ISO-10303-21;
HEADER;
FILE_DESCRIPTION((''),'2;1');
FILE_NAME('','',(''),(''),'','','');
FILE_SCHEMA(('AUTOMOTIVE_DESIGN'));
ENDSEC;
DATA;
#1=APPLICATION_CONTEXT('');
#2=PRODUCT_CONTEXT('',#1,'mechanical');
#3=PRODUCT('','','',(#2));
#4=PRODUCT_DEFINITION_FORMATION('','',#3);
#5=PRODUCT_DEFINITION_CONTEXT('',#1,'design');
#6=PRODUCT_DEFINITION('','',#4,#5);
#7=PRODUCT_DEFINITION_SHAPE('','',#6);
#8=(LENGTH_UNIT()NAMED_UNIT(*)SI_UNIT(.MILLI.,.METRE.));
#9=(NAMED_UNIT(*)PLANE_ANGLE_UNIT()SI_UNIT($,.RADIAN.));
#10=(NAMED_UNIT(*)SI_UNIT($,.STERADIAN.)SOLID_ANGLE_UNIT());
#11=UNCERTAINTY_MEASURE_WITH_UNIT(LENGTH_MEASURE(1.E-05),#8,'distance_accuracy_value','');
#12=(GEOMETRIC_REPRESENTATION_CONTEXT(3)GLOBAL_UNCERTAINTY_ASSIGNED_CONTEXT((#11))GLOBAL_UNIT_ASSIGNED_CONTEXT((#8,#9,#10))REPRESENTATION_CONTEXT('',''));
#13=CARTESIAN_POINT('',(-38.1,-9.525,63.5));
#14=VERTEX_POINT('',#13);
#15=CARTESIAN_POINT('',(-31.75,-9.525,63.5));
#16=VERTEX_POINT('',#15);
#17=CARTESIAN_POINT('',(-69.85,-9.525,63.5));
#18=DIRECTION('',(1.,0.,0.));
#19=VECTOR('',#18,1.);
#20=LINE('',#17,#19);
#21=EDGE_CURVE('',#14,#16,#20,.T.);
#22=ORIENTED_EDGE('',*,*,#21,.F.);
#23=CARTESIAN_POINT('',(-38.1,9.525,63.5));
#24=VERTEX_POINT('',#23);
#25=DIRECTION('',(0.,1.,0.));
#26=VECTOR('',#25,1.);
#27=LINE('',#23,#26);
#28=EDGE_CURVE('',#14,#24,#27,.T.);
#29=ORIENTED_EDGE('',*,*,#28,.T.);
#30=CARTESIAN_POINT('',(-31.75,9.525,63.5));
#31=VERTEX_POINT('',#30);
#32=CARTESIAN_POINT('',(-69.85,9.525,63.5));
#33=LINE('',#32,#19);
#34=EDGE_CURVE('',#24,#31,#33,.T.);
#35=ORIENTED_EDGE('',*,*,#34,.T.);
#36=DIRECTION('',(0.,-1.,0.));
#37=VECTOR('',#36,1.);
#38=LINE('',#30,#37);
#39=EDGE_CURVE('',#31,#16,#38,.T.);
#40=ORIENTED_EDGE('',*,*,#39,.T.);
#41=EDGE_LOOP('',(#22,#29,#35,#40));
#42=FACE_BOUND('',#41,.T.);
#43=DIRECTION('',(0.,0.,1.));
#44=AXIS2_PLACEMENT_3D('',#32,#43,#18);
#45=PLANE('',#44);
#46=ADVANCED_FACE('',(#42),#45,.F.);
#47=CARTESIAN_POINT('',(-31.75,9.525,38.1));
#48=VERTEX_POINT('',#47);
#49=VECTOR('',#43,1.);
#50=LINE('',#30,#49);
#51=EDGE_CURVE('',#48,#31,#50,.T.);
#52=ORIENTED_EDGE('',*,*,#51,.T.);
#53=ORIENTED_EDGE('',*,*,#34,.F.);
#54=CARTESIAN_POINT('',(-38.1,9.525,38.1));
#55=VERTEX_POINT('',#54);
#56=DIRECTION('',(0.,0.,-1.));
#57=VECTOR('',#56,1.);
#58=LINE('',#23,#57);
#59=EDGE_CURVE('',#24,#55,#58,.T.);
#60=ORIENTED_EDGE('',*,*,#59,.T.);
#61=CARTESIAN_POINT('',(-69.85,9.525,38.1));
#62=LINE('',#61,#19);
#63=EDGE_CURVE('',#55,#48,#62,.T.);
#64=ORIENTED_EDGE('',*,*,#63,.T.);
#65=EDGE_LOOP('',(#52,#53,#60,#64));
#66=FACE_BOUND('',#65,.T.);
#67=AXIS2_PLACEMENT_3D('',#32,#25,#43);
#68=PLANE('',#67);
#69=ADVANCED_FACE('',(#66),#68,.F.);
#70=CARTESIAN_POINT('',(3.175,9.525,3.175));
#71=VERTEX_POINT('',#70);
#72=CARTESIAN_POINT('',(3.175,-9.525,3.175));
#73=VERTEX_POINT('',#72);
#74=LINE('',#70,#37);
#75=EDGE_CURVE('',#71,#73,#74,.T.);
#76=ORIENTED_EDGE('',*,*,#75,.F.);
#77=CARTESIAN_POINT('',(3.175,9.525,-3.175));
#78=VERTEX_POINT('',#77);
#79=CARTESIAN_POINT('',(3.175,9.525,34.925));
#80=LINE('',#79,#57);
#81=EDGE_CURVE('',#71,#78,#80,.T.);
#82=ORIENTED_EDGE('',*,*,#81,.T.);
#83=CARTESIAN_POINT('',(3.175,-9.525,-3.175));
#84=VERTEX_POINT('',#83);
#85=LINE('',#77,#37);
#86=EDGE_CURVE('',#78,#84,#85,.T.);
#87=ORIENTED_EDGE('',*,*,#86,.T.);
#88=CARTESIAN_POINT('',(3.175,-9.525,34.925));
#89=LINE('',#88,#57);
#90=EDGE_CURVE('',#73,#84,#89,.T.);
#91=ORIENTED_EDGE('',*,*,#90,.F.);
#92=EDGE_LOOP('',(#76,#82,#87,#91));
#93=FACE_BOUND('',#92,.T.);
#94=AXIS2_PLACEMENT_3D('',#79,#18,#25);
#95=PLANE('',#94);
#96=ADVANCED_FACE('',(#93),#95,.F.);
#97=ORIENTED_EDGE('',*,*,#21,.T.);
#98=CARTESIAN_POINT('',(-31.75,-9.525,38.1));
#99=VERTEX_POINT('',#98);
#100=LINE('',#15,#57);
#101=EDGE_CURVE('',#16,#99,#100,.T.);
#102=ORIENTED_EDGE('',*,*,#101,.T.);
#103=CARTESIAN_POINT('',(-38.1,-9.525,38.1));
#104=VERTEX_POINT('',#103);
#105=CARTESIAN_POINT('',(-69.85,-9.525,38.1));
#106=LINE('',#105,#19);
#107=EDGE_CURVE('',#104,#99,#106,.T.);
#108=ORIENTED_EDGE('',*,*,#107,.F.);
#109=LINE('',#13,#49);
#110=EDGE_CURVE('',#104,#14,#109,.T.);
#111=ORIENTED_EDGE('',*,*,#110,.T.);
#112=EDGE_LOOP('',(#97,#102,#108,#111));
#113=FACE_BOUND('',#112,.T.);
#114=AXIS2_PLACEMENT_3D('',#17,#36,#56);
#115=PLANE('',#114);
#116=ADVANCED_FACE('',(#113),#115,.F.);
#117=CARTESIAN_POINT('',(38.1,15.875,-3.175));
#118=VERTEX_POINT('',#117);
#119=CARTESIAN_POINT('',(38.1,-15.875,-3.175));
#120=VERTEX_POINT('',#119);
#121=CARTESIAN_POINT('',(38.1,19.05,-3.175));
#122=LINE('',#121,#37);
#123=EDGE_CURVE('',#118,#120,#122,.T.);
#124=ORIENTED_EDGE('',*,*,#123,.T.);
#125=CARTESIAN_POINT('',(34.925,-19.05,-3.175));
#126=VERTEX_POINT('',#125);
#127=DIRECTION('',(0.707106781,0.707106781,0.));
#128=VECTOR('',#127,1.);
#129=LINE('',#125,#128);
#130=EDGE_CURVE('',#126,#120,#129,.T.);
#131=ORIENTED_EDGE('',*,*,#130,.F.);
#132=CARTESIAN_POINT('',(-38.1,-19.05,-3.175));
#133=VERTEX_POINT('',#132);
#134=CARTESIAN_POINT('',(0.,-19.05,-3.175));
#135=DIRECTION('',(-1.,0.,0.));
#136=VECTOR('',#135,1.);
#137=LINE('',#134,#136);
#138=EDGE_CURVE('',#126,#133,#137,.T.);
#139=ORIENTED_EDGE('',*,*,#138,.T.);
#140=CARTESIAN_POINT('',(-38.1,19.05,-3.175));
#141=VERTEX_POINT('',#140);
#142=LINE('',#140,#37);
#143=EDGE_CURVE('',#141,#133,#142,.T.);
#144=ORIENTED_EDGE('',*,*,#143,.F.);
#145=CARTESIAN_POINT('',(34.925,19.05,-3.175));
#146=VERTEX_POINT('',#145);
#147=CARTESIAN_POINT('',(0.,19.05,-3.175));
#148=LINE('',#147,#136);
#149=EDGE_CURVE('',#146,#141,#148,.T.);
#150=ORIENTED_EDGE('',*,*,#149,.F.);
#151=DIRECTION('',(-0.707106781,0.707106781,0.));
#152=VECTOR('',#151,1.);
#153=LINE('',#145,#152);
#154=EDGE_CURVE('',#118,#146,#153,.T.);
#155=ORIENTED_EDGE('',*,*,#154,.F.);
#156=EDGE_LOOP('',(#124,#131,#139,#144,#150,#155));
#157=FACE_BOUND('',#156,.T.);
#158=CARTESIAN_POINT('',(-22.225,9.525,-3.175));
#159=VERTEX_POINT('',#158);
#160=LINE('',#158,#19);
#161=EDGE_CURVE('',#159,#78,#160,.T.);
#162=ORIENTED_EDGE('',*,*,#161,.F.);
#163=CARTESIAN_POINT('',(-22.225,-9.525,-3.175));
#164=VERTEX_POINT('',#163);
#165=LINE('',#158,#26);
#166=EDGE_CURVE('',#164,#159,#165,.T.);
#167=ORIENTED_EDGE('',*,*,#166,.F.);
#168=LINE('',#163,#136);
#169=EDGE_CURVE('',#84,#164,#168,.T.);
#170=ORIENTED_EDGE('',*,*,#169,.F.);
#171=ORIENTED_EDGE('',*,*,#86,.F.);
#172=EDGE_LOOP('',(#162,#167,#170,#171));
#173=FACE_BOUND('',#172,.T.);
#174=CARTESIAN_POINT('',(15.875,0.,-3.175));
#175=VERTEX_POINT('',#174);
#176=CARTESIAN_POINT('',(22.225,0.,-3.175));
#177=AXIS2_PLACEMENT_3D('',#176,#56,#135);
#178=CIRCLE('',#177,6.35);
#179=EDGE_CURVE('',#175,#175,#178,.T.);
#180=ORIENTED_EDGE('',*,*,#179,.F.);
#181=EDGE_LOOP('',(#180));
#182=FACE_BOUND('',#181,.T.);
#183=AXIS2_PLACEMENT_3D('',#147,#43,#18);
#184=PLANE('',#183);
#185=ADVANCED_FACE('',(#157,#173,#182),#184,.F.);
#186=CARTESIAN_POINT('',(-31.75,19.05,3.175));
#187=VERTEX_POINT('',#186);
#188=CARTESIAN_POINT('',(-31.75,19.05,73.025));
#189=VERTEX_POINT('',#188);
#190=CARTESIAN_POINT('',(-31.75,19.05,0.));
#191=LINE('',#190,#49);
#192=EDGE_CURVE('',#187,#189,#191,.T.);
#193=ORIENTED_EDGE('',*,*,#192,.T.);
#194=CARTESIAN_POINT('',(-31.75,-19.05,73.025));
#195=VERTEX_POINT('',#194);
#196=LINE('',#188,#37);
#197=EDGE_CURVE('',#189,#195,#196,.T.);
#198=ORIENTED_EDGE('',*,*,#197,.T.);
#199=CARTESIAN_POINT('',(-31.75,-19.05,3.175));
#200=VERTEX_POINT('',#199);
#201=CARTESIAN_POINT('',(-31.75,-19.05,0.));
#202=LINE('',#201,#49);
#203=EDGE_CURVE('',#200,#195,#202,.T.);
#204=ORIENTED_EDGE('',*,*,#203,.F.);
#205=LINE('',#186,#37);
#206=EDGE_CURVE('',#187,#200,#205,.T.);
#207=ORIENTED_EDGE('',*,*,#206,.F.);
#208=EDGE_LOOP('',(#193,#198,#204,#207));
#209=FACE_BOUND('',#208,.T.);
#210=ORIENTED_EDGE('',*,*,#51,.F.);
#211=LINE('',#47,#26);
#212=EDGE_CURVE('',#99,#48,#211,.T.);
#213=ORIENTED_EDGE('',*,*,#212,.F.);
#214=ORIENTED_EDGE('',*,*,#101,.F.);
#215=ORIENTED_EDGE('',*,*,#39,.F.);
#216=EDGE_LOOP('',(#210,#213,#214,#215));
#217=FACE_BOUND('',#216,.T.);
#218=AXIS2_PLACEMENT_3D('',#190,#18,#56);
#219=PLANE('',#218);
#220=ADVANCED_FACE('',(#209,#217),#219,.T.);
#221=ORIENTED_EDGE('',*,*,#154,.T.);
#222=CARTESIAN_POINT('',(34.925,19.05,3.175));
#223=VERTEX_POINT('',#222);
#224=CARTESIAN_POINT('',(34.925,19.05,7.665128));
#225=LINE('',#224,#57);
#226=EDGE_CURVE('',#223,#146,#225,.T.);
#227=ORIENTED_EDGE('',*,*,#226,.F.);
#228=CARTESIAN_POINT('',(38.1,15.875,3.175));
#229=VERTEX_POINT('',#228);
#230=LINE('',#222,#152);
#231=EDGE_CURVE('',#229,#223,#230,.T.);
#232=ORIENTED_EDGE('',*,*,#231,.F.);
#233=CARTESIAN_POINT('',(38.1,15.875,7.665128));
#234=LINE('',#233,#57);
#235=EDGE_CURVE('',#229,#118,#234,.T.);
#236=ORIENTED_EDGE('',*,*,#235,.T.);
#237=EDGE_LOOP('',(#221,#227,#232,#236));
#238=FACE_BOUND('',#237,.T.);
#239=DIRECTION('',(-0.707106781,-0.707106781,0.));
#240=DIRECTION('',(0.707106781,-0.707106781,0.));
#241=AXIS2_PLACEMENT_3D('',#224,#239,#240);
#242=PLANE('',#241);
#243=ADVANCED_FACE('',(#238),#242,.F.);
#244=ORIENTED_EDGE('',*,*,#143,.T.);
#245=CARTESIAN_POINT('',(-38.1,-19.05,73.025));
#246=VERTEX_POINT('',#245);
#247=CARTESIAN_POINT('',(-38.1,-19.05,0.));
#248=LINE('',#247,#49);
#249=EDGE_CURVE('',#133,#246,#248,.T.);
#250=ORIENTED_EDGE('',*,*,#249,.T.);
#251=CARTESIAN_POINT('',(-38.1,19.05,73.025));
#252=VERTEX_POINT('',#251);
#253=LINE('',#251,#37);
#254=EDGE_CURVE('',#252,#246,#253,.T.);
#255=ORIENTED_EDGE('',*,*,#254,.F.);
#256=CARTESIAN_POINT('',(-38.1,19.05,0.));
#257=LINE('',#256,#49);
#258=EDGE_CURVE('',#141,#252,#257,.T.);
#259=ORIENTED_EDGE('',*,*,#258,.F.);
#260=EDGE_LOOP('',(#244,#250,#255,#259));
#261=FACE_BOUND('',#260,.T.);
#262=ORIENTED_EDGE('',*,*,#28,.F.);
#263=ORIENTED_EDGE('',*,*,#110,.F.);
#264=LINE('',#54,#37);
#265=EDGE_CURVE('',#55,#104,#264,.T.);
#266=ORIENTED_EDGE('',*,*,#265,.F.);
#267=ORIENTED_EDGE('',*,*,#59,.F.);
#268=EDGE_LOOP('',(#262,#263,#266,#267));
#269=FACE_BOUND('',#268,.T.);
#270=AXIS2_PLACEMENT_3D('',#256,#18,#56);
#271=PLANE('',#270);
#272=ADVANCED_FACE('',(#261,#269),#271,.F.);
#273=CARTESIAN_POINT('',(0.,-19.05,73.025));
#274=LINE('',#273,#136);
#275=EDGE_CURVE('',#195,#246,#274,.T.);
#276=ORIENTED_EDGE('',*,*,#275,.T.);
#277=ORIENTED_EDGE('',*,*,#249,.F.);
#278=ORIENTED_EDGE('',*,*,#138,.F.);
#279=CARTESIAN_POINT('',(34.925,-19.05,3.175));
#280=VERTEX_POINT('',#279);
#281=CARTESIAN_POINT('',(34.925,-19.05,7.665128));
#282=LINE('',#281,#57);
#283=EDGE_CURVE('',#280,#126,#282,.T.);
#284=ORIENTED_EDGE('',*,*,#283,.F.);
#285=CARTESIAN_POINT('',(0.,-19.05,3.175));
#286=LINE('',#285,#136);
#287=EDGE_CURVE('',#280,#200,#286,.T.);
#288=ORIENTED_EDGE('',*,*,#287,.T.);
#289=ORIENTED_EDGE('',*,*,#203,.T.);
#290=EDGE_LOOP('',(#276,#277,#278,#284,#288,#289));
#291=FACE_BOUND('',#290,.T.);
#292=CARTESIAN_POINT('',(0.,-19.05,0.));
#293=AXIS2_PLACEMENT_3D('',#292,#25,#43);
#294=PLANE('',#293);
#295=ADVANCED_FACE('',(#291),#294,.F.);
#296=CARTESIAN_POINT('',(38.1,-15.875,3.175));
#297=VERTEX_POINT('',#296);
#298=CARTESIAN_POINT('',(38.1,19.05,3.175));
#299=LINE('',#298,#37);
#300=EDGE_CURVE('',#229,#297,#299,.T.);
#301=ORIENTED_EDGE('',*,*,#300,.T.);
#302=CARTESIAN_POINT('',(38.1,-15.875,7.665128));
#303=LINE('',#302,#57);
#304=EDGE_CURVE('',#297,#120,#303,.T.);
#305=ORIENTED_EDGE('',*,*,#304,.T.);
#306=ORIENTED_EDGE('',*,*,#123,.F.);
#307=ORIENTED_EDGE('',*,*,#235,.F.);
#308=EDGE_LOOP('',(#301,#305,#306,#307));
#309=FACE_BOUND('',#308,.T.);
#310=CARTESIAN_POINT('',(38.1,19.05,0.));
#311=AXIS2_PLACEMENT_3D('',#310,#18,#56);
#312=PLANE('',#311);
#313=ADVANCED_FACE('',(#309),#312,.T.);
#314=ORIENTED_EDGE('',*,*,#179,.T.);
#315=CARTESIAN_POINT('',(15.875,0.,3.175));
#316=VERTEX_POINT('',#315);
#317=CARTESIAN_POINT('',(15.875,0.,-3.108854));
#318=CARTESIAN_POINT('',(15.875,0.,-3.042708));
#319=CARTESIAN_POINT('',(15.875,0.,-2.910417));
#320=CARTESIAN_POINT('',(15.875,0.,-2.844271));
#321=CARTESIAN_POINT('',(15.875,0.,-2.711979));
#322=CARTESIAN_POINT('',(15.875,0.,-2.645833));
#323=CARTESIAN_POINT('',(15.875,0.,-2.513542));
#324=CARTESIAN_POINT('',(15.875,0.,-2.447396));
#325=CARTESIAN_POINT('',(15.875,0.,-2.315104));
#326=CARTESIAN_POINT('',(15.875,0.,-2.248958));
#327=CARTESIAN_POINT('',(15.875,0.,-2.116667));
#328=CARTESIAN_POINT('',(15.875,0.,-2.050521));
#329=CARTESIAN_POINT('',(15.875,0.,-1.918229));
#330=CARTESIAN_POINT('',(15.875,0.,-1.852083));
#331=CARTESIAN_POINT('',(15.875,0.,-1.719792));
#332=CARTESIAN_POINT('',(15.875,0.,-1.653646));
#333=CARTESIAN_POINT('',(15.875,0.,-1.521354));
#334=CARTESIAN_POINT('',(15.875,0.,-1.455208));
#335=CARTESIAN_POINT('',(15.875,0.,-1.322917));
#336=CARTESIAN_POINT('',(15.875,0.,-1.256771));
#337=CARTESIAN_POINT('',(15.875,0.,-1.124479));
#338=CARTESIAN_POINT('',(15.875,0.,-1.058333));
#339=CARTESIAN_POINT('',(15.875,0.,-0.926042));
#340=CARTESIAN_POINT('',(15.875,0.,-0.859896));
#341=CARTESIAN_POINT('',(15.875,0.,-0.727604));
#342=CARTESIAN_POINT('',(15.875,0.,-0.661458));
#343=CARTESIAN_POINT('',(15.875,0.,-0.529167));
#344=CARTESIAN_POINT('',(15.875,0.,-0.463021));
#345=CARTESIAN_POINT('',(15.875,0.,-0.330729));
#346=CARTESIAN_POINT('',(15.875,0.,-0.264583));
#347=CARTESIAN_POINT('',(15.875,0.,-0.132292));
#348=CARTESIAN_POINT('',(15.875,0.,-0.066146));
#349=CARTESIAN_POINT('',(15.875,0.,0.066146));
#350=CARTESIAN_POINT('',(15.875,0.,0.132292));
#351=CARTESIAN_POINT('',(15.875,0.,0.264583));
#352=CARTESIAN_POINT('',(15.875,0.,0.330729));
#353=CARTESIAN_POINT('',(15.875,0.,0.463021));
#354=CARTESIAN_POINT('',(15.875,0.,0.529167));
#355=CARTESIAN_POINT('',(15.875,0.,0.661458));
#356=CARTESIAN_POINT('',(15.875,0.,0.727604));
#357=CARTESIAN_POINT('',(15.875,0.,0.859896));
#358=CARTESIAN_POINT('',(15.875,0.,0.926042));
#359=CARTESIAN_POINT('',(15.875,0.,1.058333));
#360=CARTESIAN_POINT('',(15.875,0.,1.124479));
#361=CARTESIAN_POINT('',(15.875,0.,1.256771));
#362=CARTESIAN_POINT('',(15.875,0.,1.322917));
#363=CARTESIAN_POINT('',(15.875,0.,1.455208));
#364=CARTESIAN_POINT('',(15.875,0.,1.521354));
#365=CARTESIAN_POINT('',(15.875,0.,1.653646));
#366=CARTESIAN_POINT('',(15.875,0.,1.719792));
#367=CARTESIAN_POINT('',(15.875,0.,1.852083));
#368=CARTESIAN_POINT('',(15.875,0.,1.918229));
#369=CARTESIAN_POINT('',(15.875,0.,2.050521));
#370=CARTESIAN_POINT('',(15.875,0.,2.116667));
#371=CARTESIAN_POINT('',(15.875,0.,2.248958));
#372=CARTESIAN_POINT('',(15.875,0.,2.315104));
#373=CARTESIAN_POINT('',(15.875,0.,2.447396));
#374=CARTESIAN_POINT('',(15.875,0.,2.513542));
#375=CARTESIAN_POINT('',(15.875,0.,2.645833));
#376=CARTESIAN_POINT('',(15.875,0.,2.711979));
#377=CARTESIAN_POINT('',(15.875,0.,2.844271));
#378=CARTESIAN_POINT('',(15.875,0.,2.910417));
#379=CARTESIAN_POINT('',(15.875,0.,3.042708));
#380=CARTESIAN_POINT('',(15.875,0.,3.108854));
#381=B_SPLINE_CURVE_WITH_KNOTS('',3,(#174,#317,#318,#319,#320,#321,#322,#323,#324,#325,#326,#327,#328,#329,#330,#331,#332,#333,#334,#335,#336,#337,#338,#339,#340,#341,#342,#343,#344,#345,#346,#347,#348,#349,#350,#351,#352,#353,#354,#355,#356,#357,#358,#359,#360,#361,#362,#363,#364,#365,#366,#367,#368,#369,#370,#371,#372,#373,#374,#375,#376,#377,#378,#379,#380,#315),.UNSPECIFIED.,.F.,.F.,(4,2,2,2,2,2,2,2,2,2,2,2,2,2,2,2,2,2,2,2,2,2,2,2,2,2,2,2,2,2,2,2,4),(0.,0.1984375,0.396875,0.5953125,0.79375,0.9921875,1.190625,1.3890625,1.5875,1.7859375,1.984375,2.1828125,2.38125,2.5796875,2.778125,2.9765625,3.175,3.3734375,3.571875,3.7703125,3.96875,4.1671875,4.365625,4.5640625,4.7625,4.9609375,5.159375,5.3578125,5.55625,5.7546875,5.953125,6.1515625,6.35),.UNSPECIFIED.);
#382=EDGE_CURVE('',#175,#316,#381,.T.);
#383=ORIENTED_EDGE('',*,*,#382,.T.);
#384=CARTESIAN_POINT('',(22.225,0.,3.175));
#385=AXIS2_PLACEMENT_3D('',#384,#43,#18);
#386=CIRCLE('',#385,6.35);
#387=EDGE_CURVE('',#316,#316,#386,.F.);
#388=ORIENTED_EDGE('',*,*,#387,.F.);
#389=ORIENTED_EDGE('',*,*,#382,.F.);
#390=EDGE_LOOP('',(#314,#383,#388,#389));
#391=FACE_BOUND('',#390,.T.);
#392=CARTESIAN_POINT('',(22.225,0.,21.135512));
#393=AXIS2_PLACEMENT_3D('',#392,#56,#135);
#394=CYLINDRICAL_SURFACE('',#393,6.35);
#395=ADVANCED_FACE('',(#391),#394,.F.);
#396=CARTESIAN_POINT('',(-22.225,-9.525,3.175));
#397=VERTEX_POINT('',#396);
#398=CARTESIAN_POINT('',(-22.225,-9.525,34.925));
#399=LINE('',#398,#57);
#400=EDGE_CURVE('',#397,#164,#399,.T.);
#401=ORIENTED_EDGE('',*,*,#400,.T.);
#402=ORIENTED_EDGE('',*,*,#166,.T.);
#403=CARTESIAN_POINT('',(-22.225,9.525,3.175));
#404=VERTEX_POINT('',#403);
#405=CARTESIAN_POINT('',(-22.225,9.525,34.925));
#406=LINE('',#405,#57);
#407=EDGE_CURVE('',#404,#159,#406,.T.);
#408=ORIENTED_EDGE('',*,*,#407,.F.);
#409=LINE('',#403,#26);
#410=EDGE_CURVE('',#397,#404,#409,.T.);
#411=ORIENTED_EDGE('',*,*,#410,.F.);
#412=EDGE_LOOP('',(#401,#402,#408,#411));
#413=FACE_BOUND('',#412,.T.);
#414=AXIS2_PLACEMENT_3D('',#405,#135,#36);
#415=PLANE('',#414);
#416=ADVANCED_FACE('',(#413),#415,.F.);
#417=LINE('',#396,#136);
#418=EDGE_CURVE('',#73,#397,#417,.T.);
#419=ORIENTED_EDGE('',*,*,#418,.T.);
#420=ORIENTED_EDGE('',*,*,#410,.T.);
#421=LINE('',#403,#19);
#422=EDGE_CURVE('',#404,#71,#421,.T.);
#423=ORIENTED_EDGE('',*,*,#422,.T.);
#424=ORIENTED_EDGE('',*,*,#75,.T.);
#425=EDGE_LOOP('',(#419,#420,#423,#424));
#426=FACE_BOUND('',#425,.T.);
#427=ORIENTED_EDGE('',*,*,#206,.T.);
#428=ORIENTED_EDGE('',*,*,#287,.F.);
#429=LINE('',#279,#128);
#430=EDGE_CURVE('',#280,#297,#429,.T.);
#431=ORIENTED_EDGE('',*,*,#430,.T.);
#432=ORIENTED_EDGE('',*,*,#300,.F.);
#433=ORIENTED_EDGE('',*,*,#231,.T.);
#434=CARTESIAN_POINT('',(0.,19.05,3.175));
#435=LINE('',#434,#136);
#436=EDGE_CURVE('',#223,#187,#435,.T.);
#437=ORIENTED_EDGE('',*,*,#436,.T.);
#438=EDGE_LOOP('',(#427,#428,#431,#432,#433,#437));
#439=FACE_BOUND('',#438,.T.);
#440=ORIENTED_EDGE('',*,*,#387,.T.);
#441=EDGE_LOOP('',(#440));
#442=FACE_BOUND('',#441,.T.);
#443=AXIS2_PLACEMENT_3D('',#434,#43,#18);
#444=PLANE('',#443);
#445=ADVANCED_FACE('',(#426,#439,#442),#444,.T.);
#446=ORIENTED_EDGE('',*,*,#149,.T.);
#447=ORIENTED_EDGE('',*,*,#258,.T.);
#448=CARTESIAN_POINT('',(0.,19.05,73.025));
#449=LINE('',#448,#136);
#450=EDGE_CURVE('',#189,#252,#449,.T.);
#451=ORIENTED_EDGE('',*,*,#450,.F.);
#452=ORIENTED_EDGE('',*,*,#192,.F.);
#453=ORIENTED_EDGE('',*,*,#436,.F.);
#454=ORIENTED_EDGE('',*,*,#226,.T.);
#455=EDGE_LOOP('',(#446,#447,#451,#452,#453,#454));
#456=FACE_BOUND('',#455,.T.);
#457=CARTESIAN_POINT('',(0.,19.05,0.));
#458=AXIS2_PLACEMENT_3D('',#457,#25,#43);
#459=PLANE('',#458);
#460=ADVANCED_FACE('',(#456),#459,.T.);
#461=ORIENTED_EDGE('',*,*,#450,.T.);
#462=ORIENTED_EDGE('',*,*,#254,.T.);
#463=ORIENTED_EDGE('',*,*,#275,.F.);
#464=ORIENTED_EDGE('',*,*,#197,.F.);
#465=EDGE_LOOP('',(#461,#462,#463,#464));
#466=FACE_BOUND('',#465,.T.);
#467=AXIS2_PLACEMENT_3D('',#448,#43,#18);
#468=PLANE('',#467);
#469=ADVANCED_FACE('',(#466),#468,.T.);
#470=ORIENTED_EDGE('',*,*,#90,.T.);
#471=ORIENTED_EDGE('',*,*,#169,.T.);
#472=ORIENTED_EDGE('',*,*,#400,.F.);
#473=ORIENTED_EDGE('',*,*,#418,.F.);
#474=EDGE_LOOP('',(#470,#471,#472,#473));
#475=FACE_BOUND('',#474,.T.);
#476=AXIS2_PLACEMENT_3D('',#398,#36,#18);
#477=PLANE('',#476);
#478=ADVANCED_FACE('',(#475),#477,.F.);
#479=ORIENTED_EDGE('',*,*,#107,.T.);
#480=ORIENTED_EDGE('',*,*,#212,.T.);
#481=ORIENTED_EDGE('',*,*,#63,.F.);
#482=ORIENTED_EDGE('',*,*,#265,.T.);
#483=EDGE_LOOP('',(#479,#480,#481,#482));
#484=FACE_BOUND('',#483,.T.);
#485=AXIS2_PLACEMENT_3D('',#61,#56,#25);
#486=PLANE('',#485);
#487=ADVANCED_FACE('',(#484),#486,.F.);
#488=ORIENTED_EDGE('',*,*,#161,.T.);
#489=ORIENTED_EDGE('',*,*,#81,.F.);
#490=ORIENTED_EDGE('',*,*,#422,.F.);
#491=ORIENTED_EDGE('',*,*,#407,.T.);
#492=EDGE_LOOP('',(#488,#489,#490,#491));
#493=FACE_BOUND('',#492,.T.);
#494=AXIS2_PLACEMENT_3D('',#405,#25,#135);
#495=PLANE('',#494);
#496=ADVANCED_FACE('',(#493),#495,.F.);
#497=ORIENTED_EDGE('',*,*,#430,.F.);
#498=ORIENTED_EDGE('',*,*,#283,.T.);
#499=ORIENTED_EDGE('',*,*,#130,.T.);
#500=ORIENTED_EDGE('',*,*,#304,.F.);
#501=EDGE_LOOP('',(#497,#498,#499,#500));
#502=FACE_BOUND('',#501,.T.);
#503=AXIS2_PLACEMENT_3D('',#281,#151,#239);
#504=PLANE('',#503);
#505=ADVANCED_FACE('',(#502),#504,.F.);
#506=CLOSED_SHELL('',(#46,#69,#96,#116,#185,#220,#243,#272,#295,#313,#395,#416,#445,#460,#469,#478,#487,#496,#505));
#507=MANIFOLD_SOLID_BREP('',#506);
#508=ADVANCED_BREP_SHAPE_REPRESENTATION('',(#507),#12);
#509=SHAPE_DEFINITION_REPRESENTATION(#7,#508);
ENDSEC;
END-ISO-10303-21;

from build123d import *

# Parameters (mm, degrees)
SKETCH1_W           = 6.35
SKETCH1_H           = 69.85
SKETCH1_W_2         = 76.2
SKETCH1_H_2         = 6.35
BOSS_EXTRUDE1_DEPTH = 19.05
SKETCH2_R           = 6.35
CUT_EXTRUDE1_DEPTH  = 6.35
SKETCH3_W           = 25.4
SKETCH3_H           = 19.05
CUT_EXTRUDE2_DEPTH  = 6.35
CUT_EXTRUDE3_DEPTH  = 6.35
SKETCH5_W           = 25.4
SKETCH5_H           = 19.05
CUT_EXTRUDE4_DEPTH  = 6.35


with BuildPart() as part:
    # Sketch1 → Boss-Extrude1 (new, symmetric)
    with BuildSketch(Plane(origin=(0, 0, 0), x_dir=(1, 0, 0), z_dir=(0, 1, 0))):
        with Locations((-34.925, -38.1)):
            Rectangle(SKETCH1_W, SKETCH1_H)
        Rectangle(SKETCH1_W_2, SKETCH1_H_2)
    extrude(amount=BOSS_EXTRUDE1_DEPTH, both=True)

    # Sketch2 → Cut-Extrude1 (cut)
    with BuildSketch(Plane(origin=(0, 0, -3.175), x_dir=(-1, 0, 0), z_dir=(0, 0, -1))):
        with Locations((-22.225, 0)):
            Circle(SKETCH2_R)
    extrude(amount=-CUT_EXTRUDE1_DEPTH, mode=Mode.SUBTRACT)

    # Sketch3 → Cut-Extrude2 (cut)
    with BuildSketch(Plane(origin=(0, 0, -3.175), x_dir=(-1, 0, 0), z_dir=(0, 0, -1))):
        with Locations((9.525, 0)):
            Rectangle(SKETCH3_W, SKETCH3_H)
    extrude(amount=-CUT_EXTRUDE2_DEPTH, mode=Mode.SUBTRACT)

    # Sketch4 → Cut-Extrude3 (cut)
    with BuildSketch(Plane(origin=(0, 0, -3.175), x_dir=(-1, 0, 0), z_dir=(0, 0, -1))):
        Polygon((-34.925, 19.05), (-38.1, 15.875), (-38.1, 19.05), align=None)
        Polygon((-34.925, -19.05), (-38.1, -15.875), (-38.1, -19.05), align=None)
    extrude(amount=-CUT_EXTRUDE3_DEPTH, mode=Mode.SUBTRACT)

    # Sketch5 → Cut-Extrude4 (cut)
    with BuildSketch(Plane(origin=(-31.75, 0, 0), x_dir=(0, 0, -1), z_dir=(1, 0, 0))):
        with Locations((-50.8, 0)):
            Rectangle(SKETCH5_W, SKETCH5_H)
    extrude(amount=-CUT_EXTRUDE4_DEPTH, mode=Mode.SUBTRACT)


solid = part.part
